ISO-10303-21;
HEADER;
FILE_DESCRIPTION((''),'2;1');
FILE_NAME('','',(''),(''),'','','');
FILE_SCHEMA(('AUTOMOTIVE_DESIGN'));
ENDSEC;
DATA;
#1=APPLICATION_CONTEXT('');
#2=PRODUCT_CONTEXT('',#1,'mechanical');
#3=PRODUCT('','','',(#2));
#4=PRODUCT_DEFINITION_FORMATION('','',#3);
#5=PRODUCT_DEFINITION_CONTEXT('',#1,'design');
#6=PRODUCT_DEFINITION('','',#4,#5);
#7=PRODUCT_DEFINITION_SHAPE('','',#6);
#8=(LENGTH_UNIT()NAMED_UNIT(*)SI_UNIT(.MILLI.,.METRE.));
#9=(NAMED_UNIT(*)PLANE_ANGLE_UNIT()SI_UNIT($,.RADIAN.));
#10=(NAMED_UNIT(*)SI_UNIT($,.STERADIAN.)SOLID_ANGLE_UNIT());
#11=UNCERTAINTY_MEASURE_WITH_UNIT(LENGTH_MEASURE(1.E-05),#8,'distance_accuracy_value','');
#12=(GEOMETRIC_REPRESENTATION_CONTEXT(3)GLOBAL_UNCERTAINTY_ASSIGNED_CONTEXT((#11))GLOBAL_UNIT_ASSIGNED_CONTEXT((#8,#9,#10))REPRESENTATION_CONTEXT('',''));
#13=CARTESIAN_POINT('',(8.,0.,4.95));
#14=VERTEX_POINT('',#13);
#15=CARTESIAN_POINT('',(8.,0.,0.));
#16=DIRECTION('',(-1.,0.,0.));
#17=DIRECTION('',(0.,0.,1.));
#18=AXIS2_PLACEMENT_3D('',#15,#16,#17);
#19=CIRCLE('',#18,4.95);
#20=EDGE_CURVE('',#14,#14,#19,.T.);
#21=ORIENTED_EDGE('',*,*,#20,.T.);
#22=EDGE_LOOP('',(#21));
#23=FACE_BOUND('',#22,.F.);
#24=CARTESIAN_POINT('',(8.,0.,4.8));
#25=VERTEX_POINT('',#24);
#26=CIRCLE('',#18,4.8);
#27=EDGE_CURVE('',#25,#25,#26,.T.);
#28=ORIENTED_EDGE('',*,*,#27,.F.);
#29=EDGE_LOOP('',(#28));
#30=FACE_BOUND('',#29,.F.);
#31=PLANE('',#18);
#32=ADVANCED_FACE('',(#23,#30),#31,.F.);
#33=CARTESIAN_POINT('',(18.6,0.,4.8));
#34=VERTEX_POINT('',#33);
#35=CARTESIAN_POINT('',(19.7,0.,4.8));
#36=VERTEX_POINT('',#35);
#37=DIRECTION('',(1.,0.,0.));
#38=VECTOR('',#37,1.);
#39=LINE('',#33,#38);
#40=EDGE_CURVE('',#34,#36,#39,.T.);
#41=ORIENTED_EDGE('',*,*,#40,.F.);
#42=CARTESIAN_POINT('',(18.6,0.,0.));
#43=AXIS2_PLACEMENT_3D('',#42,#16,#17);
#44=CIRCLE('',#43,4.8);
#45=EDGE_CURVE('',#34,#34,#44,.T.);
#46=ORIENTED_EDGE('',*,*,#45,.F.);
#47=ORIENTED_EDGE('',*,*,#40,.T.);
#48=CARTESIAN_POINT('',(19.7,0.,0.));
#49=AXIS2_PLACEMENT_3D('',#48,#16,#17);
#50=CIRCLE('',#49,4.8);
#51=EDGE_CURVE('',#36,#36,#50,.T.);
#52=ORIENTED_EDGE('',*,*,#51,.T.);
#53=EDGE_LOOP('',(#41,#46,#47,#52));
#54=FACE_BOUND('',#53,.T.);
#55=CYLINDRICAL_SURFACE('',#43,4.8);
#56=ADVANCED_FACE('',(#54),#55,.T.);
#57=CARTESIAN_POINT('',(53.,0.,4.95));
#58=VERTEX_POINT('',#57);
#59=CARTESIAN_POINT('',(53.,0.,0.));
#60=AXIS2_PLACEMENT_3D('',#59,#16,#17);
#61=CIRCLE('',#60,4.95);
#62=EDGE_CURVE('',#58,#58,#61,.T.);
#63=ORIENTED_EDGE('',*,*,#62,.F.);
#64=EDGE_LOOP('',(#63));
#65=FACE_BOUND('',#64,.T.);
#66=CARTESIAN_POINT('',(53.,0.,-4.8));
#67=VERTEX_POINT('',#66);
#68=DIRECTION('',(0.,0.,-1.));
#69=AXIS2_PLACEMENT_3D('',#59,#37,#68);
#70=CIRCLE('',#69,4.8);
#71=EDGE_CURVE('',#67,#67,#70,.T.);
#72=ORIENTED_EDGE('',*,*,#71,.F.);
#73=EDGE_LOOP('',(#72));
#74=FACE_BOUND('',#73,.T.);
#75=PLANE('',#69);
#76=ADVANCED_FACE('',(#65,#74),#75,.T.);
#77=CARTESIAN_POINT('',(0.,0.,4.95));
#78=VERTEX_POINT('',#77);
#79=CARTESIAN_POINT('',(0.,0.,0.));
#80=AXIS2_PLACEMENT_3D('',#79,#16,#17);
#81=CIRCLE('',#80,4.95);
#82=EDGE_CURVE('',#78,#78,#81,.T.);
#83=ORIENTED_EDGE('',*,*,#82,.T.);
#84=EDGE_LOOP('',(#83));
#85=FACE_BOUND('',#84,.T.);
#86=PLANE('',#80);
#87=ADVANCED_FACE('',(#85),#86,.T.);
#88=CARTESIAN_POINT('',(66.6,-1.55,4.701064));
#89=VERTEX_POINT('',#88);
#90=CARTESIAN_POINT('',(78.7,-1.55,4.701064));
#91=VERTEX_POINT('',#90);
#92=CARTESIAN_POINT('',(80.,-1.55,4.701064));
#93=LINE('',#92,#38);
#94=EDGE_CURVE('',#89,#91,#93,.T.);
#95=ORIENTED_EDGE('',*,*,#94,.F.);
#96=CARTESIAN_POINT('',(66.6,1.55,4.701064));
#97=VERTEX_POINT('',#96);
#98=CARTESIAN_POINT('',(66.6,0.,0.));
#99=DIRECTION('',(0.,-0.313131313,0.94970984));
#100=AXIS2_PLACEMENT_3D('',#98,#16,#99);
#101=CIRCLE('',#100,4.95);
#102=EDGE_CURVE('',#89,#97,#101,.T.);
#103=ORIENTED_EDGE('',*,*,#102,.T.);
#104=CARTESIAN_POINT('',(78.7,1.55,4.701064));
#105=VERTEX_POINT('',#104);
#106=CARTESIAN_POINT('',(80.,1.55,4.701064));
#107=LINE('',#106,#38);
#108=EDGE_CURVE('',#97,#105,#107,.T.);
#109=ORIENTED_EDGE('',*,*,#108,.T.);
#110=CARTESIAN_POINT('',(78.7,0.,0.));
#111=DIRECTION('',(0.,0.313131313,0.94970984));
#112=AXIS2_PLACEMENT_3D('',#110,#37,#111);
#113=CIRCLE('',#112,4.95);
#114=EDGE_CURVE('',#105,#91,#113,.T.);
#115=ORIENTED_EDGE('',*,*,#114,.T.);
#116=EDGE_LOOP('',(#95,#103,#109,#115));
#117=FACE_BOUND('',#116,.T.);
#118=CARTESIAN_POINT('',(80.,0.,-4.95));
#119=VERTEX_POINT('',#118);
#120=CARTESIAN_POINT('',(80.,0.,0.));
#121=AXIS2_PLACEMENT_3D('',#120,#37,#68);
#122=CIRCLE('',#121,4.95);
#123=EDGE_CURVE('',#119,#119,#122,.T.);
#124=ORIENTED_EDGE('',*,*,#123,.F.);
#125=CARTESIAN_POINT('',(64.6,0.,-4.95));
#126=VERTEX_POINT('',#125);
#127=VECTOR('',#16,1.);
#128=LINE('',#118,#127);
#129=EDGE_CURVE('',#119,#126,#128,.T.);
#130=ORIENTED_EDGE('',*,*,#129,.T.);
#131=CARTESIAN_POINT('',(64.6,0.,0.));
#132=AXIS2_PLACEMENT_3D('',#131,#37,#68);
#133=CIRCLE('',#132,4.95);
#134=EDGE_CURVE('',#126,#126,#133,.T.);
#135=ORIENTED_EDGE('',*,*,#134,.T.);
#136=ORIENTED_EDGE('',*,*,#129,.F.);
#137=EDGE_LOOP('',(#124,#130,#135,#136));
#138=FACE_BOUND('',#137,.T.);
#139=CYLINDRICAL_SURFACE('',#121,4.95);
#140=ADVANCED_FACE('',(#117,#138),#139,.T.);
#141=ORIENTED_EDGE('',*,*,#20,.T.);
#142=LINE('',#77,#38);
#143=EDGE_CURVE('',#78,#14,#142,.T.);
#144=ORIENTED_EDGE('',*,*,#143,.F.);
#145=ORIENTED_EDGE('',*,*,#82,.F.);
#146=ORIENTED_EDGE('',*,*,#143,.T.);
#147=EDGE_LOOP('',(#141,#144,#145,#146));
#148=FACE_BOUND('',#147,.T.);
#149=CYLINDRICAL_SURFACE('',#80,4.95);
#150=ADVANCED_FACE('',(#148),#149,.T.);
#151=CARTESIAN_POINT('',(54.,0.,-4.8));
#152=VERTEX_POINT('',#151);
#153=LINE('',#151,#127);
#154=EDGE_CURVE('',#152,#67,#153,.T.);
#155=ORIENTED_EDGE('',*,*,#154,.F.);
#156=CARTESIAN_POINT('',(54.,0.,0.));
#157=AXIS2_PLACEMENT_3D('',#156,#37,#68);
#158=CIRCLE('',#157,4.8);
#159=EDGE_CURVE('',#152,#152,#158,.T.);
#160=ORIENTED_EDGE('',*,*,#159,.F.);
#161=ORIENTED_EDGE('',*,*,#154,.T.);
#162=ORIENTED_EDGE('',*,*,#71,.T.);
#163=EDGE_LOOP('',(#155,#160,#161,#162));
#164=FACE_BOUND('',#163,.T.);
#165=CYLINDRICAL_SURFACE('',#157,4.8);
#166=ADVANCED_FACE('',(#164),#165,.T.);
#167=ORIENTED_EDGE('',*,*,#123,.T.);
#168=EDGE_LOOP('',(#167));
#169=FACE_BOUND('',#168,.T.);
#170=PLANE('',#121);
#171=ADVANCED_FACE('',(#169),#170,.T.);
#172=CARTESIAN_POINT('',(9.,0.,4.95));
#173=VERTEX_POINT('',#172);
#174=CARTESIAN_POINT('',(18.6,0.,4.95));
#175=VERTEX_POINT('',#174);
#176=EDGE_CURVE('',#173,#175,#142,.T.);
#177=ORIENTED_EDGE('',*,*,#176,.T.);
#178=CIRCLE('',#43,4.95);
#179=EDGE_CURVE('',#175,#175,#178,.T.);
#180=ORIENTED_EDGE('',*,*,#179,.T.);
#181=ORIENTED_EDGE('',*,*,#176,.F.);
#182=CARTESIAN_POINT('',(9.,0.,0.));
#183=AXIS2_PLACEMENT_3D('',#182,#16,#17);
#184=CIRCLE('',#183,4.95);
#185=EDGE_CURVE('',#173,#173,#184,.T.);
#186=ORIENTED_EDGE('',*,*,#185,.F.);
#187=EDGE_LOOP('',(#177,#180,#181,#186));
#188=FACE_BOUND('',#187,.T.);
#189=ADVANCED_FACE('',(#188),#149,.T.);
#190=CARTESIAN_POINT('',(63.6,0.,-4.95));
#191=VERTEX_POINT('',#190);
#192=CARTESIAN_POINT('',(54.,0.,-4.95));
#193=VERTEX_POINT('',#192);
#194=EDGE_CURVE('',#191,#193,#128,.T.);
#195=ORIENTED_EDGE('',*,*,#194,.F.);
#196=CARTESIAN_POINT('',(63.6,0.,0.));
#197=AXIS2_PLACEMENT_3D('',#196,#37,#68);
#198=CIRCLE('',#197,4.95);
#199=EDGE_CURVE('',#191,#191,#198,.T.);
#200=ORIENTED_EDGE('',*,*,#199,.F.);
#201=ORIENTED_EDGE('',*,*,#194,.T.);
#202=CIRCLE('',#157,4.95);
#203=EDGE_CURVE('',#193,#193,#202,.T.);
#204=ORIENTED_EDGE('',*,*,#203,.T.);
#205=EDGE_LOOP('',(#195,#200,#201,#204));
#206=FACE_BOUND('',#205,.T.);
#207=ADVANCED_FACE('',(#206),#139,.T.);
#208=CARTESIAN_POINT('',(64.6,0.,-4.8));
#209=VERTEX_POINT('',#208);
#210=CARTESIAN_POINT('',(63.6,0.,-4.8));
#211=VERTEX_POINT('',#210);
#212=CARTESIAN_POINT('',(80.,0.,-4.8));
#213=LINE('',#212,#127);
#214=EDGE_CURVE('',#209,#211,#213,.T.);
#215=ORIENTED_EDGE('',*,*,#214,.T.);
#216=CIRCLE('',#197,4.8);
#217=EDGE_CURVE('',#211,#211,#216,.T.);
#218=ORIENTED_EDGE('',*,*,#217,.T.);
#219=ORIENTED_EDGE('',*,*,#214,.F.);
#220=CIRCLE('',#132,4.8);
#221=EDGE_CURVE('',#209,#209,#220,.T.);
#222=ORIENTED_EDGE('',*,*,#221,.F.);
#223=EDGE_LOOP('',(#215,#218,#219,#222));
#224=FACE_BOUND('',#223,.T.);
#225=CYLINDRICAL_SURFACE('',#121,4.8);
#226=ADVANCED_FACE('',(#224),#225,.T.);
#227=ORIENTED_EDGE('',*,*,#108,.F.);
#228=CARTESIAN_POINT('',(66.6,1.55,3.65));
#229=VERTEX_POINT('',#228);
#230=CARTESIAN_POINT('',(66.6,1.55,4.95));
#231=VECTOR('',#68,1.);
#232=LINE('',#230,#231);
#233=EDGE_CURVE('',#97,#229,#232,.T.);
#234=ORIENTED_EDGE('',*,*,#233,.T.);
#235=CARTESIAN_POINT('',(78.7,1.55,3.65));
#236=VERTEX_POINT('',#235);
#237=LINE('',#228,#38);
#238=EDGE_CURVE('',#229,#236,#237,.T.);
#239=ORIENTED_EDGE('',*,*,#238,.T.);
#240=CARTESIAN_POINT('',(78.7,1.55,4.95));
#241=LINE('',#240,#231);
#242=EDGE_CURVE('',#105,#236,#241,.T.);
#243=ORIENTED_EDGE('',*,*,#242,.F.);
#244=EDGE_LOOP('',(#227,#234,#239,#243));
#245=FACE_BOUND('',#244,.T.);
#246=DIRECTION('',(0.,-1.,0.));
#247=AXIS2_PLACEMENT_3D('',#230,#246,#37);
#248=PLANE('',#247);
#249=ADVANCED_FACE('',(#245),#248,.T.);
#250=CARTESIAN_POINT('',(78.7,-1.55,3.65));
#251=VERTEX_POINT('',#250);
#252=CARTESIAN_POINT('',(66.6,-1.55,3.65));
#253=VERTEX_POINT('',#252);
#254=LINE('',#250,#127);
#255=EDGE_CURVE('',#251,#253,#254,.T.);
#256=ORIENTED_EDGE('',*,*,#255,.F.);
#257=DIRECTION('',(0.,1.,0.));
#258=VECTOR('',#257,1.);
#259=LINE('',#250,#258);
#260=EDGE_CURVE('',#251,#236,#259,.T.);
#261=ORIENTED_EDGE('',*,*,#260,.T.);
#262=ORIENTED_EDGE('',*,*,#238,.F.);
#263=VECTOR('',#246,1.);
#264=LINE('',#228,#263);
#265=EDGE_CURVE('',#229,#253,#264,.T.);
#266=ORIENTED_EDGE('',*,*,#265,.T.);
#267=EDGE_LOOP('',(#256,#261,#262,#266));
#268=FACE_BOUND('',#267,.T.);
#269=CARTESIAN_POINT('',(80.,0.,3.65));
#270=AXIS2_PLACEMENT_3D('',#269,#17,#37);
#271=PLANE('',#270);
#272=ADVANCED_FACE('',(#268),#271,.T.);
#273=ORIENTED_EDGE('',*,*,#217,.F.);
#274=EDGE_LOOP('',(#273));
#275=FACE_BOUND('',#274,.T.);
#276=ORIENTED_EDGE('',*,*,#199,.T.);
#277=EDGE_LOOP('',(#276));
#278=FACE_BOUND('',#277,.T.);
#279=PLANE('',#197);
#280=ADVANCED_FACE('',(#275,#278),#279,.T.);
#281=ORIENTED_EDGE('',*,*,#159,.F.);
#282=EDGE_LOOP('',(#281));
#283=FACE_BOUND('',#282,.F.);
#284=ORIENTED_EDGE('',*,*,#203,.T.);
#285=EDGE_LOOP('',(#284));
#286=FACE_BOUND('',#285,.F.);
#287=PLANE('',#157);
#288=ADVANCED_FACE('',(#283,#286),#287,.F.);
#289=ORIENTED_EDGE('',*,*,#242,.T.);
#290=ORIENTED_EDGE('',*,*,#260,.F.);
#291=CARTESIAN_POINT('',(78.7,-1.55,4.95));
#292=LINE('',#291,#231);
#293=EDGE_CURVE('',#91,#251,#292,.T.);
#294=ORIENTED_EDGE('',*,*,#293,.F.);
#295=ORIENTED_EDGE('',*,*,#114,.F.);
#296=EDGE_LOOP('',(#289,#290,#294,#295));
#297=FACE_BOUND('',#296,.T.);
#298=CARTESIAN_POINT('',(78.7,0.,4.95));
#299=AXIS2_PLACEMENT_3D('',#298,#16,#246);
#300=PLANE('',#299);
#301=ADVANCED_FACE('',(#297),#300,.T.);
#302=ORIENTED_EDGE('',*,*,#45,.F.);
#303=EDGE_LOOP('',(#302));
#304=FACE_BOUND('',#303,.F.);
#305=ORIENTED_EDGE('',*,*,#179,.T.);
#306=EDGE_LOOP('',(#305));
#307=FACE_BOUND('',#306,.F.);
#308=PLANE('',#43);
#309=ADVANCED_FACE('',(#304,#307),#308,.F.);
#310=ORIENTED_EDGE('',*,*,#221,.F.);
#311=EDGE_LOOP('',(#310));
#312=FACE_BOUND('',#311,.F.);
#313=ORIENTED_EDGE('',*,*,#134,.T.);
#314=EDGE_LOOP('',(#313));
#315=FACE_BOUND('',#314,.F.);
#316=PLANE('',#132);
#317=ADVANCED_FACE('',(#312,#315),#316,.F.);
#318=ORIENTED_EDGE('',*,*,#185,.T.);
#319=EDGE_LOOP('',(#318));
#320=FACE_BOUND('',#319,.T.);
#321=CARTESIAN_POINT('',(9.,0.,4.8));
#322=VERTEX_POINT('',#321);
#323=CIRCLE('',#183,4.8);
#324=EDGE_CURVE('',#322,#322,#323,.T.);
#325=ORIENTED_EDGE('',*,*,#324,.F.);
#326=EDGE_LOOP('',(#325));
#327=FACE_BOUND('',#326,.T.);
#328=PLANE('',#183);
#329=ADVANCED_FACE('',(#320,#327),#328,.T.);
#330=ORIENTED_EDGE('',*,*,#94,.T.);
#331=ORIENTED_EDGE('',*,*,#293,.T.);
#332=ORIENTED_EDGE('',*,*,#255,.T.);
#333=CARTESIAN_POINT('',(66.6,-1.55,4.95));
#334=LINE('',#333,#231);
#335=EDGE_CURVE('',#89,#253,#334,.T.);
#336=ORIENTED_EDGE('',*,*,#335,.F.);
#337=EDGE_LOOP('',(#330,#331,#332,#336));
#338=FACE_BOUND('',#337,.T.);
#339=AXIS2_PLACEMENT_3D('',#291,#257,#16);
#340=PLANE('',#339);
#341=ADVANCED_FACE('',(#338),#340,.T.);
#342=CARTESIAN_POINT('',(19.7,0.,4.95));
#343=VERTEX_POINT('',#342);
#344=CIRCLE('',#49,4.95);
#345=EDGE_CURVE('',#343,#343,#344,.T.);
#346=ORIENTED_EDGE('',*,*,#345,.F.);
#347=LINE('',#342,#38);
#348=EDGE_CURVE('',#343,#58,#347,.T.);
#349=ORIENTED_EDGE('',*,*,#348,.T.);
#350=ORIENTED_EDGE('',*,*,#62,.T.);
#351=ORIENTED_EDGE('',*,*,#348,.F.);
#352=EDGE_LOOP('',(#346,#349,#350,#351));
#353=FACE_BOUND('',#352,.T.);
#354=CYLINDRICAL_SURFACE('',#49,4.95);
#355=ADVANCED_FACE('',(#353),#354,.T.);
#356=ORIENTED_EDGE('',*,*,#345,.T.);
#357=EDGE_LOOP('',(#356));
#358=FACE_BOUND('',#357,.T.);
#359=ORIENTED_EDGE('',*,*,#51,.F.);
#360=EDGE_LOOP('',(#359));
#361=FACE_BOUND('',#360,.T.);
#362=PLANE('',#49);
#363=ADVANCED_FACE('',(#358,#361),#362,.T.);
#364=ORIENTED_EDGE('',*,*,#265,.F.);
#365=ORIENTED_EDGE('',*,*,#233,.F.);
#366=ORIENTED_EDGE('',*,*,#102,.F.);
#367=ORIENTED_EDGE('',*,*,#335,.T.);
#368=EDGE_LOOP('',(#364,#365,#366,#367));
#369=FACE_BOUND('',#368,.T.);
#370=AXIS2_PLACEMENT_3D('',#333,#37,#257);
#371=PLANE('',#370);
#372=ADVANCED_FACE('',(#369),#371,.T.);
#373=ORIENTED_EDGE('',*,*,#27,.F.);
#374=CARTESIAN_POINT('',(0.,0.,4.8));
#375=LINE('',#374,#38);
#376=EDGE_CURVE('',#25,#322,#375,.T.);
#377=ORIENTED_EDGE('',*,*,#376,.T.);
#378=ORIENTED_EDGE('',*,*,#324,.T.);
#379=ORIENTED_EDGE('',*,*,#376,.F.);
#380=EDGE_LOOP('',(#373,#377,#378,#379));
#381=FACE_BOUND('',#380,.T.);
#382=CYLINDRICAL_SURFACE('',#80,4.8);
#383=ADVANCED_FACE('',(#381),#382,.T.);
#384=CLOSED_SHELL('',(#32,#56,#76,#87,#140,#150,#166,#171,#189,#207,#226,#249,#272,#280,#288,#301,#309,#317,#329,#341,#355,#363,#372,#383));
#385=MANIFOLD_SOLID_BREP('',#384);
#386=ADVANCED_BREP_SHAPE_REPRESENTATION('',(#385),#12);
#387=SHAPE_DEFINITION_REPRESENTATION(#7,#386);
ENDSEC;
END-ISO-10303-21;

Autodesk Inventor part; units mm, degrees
ref_plane "YZ Plane" through (0, 0, 0) normal (1, 0, 0) x (0, 1, 0)
ref_plane "XZ Plane" through (0, 0, 0) normal (0, 1, 0) x (-1, 0, 0)
sketch "스케치1" plane through (0, 0, 0) normal (1, 0, 0) x (0, 1, 0)
  circle A0 centre (0, 0) radius 6
  dimension "d0" = 12
extrude "돌출1" add sketch "스케치1" along normal blind 80
sketch "스케치8" plane through (0, 0, 0) normal (-1, 0, 0) x (0, 0, 1)
  circle A0 centre (0, 0) radius 6 projected
  circle A1 centre (0, 0) radius 4.95
  dimension "d26" = 9.9
extrude "돌출8" cut sketch "스케치8" against normal blind 18.6
sketch "스케치9" plane through (0, 0, 0) normal (-1, 0, 0) x (0, 0, 1)
  circle A0 centre (0, 0) radius 4.8
  circle A1 centre (0, 0) radius 4.95 projected
  dimension "d29" = 9.6
extrude "돌출9" cut sketch "스케치9" against normal blind 9
sketch "스케치10" plane through (0, 0, 0) normal (-1, 0, 0) x (0, 0, 1)
  circle A0 centre (0, 0) radius 4.95
  circle A1 centre (0, 0) radius 4.8 projected
  dimension "d32" = 9.9
extrude "돌출10" add sketch "스케치10" against normal blind 8
sketch "스케치11" plane through (80, 0, 0) normal (1, 0, 0) x (0, 0, -1)
  circle A0 centre (0, 0) radius 6 projected
  circle A1 centre (0, 0) radius 4.95
  dimension "d35" = 9.9
extrude "돌출11" cut sketch "스케치11" against normal blind 26
sketch "스케치12" plane through (80, 0, 0) normal (1, 0, 0) x (0, 0, -1)
  circle A0 centre (0, 0) radius 4.95 projected
  circle A1 centre (0, 0) radius 4.8
  dimension "d38" = 9.6
extrude "돌출12" cut sketch "스케치12" against normal blind 16.4
sketch "스케치13" plane through (80, 0, 0) normal (1, 0, 0) x (0, 0, -1)
  circle A0 centre (0, 0) radius 4.95
  circle A1 centre (0, 0) radius 4.8 projected
  dimension "d41" = 9.9
extrude "돌출13" add sketch "스케치13" against normal blind 15.4
ref_plane "작업 평면1" through (80, 0, 4.95) normal (0, 0, 1) x (1, 0, 0)
sketch "스케치14" plane through (80, 0, 4.95) normal (0, 0, 1) x (1, 0, 0)
  line L0 (-1.3, -1.55) -> (-13.4, -1.55)
  line L1 (-13.4, -1.55) -> (-13.4, 1.55)
  line L2 (-13.4, 1.55) -> (-1.3, 1.55)
  line L3 (-1.3, 1.55) -> (-1.3, -1.55)
  line L4 (-15.4, 4.95) -> (-15.4, -4.95) projected
  line L5 (0, 4.95) -> (0, -4.95) projected
  line L6 (0, 0) -> (-15.4, 0)
  line L7 (-15.4, 4.8) -> (-15.4, -4.8) projected
  point P0 (-80, 0)
  dimension "d44" = 12.1
  dimension "d45" = 3.1
  dimension "d46" = 12.1
  dimension "d47" = 2
  dimension "d48" = 1.55
extrude "돌출14" cut sketch "스케치14" against normal blind 1.3
sketch "스케치15" plane through (54, 0, 0) normal (1, 0, 0) x (0, 0, -1)
  circle A0 centre (0, 0) radius 4.95 projected
  circle A1 centre (0, 0) radius 6 projected
  circle A2 centre (0, 0) radius 4.95 projected
  circle A3 centre (0, 0) radius 4.95 projected
  circle A4 centre (0, 0) radius 4.8
  dimension "d51" = 9.6
extrude "돌출15" cut sketch "스케치15" against normal blind 1 contours A0 | A1
sketch "스케치16" plane through (18.6, 0, 0) normal (-1, 0, 0) x (0, 0, 1)
  circle A0 centre (0, 0) radius 4.95 projected
  circle A1 centre (0, 0) radius 6 projected
  circle A2 centre (0, 0) radius 4.95 projected
  circle A3 centre (0, 0) radius 4.8
  dimension "d54" = 9.6
extrude "돌출16" cut sketch "스케치16" against normal blind 1.1 contours A0 | A1
sketch "스케치17" plane through (19.7, 0, 0) normal (-1, 0, 0) x (0, 0, 1)
  circle A0 centre (0, 0) radius 4.8 projected
  circle A1 centre (0, 0) radius 6 projected
  circle A2 centre (0, 0) radius 4.95 projected
  circle A3 centre (0, 0) radius 4.95
extrude "돌출17" cut sketch "스케치17" against normal blind 33.35 contours A1
properties part number "10PI축" material "철, 주조"
